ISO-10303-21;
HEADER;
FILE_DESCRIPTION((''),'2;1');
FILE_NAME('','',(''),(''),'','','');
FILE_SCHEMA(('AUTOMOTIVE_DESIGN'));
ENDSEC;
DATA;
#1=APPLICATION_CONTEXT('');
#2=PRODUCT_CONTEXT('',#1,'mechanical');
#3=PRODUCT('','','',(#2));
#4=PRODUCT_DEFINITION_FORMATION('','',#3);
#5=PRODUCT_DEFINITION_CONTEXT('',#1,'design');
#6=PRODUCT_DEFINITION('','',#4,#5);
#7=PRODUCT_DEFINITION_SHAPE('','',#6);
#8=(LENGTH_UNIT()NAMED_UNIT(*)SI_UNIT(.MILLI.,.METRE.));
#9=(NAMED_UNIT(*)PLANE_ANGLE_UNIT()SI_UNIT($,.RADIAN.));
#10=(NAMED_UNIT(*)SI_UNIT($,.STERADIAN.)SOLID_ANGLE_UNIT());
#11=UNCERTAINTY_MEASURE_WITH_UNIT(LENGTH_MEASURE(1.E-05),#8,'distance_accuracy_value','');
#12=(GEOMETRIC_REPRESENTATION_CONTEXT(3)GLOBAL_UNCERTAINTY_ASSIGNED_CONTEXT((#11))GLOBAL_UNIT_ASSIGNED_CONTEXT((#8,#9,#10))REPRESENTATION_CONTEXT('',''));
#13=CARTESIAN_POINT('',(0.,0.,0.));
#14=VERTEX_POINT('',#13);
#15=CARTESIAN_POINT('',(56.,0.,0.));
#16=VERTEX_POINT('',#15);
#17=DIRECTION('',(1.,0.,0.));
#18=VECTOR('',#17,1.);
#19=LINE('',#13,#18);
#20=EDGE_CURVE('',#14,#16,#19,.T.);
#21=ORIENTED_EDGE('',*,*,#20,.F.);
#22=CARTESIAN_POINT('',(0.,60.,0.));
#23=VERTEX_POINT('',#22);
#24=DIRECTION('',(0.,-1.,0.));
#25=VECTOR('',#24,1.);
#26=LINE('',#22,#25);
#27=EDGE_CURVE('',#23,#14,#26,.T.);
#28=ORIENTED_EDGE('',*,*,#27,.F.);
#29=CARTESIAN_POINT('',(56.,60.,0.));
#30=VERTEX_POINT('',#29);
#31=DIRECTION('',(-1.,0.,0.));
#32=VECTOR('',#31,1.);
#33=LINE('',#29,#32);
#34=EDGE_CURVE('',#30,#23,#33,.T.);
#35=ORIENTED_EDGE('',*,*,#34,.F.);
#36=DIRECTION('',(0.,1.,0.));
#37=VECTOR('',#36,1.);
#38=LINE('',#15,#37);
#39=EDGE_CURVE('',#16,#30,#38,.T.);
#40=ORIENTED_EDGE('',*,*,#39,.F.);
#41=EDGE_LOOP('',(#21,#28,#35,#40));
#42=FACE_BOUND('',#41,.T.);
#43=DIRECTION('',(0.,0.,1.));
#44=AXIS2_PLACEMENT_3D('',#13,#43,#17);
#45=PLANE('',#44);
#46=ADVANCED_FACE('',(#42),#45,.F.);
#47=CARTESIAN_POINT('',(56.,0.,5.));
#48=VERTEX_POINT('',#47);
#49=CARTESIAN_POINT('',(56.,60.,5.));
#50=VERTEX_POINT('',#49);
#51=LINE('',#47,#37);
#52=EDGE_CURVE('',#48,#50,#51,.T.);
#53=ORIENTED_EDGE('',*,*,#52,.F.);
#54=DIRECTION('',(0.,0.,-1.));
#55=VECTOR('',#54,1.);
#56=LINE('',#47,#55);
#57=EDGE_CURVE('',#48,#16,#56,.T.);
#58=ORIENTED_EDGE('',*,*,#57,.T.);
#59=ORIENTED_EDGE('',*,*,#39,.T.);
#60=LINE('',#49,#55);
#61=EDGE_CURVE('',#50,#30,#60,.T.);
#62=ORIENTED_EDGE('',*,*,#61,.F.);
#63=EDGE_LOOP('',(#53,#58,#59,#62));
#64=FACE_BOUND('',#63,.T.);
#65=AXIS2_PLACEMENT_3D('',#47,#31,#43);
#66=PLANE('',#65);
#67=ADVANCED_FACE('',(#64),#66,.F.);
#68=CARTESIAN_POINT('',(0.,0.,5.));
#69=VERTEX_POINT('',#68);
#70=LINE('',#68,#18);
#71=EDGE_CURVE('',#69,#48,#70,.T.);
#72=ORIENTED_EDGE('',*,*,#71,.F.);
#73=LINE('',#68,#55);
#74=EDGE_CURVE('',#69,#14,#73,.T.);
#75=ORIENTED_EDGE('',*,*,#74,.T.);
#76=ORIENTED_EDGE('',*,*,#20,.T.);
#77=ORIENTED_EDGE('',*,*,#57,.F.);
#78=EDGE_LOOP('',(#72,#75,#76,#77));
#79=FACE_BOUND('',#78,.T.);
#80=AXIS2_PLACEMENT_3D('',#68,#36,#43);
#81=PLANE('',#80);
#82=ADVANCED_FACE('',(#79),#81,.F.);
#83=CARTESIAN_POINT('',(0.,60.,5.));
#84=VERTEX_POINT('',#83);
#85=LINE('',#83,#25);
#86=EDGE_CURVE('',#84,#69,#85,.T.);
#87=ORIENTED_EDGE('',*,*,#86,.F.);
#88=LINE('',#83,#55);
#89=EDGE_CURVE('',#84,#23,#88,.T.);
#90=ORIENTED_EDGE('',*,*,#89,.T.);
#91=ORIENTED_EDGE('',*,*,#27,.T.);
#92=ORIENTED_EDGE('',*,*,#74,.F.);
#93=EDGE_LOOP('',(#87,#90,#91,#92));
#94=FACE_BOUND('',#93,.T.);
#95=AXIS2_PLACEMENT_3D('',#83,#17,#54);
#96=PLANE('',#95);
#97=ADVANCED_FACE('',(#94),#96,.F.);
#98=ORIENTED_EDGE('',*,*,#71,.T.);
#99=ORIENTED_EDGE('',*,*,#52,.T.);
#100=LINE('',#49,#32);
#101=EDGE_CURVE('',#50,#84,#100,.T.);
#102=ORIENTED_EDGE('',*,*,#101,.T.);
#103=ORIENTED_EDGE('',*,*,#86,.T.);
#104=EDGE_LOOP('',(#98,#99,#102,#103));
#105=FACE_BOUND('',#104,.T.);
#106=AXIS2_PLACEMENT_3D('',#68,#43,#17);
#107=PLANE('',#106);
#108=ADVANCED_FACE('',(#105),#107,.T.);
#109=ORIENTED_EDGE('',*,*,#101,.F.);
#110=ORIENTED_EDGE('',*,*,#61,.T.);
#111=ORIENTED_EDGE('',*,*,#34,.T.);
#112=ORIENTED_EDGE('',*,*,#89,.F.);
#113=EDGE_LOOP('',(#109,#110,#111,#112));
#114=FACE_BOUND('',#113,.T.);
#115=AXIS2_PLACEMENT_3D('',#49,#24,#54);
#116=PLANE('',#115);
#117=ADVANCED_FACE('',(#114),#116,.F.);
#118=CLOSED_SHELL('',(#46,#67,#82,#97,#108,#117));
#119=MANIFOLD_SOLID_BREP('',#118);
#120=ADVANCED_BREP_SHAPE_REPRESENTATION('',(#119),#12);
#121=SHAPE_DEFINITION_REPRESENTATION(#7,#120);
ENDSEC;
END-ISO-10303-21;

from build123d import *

# Parameters (mm, degrees)
SKETCH_1_W       = 56
SKETCH_1_H       = 60
FIXED_BASE_DEPTH = 5


with BuildPart() as part:
    # 草图1 → Fixed_Base (new body)
    with BuildSketch(Plane.XY):
        with Locations((28, 30)):
            Rectangle(SKETCH_1_W, SKETCH_1_H)
    extrude(amount=FIXED_BASE_DEPTH)


solid = part.part
